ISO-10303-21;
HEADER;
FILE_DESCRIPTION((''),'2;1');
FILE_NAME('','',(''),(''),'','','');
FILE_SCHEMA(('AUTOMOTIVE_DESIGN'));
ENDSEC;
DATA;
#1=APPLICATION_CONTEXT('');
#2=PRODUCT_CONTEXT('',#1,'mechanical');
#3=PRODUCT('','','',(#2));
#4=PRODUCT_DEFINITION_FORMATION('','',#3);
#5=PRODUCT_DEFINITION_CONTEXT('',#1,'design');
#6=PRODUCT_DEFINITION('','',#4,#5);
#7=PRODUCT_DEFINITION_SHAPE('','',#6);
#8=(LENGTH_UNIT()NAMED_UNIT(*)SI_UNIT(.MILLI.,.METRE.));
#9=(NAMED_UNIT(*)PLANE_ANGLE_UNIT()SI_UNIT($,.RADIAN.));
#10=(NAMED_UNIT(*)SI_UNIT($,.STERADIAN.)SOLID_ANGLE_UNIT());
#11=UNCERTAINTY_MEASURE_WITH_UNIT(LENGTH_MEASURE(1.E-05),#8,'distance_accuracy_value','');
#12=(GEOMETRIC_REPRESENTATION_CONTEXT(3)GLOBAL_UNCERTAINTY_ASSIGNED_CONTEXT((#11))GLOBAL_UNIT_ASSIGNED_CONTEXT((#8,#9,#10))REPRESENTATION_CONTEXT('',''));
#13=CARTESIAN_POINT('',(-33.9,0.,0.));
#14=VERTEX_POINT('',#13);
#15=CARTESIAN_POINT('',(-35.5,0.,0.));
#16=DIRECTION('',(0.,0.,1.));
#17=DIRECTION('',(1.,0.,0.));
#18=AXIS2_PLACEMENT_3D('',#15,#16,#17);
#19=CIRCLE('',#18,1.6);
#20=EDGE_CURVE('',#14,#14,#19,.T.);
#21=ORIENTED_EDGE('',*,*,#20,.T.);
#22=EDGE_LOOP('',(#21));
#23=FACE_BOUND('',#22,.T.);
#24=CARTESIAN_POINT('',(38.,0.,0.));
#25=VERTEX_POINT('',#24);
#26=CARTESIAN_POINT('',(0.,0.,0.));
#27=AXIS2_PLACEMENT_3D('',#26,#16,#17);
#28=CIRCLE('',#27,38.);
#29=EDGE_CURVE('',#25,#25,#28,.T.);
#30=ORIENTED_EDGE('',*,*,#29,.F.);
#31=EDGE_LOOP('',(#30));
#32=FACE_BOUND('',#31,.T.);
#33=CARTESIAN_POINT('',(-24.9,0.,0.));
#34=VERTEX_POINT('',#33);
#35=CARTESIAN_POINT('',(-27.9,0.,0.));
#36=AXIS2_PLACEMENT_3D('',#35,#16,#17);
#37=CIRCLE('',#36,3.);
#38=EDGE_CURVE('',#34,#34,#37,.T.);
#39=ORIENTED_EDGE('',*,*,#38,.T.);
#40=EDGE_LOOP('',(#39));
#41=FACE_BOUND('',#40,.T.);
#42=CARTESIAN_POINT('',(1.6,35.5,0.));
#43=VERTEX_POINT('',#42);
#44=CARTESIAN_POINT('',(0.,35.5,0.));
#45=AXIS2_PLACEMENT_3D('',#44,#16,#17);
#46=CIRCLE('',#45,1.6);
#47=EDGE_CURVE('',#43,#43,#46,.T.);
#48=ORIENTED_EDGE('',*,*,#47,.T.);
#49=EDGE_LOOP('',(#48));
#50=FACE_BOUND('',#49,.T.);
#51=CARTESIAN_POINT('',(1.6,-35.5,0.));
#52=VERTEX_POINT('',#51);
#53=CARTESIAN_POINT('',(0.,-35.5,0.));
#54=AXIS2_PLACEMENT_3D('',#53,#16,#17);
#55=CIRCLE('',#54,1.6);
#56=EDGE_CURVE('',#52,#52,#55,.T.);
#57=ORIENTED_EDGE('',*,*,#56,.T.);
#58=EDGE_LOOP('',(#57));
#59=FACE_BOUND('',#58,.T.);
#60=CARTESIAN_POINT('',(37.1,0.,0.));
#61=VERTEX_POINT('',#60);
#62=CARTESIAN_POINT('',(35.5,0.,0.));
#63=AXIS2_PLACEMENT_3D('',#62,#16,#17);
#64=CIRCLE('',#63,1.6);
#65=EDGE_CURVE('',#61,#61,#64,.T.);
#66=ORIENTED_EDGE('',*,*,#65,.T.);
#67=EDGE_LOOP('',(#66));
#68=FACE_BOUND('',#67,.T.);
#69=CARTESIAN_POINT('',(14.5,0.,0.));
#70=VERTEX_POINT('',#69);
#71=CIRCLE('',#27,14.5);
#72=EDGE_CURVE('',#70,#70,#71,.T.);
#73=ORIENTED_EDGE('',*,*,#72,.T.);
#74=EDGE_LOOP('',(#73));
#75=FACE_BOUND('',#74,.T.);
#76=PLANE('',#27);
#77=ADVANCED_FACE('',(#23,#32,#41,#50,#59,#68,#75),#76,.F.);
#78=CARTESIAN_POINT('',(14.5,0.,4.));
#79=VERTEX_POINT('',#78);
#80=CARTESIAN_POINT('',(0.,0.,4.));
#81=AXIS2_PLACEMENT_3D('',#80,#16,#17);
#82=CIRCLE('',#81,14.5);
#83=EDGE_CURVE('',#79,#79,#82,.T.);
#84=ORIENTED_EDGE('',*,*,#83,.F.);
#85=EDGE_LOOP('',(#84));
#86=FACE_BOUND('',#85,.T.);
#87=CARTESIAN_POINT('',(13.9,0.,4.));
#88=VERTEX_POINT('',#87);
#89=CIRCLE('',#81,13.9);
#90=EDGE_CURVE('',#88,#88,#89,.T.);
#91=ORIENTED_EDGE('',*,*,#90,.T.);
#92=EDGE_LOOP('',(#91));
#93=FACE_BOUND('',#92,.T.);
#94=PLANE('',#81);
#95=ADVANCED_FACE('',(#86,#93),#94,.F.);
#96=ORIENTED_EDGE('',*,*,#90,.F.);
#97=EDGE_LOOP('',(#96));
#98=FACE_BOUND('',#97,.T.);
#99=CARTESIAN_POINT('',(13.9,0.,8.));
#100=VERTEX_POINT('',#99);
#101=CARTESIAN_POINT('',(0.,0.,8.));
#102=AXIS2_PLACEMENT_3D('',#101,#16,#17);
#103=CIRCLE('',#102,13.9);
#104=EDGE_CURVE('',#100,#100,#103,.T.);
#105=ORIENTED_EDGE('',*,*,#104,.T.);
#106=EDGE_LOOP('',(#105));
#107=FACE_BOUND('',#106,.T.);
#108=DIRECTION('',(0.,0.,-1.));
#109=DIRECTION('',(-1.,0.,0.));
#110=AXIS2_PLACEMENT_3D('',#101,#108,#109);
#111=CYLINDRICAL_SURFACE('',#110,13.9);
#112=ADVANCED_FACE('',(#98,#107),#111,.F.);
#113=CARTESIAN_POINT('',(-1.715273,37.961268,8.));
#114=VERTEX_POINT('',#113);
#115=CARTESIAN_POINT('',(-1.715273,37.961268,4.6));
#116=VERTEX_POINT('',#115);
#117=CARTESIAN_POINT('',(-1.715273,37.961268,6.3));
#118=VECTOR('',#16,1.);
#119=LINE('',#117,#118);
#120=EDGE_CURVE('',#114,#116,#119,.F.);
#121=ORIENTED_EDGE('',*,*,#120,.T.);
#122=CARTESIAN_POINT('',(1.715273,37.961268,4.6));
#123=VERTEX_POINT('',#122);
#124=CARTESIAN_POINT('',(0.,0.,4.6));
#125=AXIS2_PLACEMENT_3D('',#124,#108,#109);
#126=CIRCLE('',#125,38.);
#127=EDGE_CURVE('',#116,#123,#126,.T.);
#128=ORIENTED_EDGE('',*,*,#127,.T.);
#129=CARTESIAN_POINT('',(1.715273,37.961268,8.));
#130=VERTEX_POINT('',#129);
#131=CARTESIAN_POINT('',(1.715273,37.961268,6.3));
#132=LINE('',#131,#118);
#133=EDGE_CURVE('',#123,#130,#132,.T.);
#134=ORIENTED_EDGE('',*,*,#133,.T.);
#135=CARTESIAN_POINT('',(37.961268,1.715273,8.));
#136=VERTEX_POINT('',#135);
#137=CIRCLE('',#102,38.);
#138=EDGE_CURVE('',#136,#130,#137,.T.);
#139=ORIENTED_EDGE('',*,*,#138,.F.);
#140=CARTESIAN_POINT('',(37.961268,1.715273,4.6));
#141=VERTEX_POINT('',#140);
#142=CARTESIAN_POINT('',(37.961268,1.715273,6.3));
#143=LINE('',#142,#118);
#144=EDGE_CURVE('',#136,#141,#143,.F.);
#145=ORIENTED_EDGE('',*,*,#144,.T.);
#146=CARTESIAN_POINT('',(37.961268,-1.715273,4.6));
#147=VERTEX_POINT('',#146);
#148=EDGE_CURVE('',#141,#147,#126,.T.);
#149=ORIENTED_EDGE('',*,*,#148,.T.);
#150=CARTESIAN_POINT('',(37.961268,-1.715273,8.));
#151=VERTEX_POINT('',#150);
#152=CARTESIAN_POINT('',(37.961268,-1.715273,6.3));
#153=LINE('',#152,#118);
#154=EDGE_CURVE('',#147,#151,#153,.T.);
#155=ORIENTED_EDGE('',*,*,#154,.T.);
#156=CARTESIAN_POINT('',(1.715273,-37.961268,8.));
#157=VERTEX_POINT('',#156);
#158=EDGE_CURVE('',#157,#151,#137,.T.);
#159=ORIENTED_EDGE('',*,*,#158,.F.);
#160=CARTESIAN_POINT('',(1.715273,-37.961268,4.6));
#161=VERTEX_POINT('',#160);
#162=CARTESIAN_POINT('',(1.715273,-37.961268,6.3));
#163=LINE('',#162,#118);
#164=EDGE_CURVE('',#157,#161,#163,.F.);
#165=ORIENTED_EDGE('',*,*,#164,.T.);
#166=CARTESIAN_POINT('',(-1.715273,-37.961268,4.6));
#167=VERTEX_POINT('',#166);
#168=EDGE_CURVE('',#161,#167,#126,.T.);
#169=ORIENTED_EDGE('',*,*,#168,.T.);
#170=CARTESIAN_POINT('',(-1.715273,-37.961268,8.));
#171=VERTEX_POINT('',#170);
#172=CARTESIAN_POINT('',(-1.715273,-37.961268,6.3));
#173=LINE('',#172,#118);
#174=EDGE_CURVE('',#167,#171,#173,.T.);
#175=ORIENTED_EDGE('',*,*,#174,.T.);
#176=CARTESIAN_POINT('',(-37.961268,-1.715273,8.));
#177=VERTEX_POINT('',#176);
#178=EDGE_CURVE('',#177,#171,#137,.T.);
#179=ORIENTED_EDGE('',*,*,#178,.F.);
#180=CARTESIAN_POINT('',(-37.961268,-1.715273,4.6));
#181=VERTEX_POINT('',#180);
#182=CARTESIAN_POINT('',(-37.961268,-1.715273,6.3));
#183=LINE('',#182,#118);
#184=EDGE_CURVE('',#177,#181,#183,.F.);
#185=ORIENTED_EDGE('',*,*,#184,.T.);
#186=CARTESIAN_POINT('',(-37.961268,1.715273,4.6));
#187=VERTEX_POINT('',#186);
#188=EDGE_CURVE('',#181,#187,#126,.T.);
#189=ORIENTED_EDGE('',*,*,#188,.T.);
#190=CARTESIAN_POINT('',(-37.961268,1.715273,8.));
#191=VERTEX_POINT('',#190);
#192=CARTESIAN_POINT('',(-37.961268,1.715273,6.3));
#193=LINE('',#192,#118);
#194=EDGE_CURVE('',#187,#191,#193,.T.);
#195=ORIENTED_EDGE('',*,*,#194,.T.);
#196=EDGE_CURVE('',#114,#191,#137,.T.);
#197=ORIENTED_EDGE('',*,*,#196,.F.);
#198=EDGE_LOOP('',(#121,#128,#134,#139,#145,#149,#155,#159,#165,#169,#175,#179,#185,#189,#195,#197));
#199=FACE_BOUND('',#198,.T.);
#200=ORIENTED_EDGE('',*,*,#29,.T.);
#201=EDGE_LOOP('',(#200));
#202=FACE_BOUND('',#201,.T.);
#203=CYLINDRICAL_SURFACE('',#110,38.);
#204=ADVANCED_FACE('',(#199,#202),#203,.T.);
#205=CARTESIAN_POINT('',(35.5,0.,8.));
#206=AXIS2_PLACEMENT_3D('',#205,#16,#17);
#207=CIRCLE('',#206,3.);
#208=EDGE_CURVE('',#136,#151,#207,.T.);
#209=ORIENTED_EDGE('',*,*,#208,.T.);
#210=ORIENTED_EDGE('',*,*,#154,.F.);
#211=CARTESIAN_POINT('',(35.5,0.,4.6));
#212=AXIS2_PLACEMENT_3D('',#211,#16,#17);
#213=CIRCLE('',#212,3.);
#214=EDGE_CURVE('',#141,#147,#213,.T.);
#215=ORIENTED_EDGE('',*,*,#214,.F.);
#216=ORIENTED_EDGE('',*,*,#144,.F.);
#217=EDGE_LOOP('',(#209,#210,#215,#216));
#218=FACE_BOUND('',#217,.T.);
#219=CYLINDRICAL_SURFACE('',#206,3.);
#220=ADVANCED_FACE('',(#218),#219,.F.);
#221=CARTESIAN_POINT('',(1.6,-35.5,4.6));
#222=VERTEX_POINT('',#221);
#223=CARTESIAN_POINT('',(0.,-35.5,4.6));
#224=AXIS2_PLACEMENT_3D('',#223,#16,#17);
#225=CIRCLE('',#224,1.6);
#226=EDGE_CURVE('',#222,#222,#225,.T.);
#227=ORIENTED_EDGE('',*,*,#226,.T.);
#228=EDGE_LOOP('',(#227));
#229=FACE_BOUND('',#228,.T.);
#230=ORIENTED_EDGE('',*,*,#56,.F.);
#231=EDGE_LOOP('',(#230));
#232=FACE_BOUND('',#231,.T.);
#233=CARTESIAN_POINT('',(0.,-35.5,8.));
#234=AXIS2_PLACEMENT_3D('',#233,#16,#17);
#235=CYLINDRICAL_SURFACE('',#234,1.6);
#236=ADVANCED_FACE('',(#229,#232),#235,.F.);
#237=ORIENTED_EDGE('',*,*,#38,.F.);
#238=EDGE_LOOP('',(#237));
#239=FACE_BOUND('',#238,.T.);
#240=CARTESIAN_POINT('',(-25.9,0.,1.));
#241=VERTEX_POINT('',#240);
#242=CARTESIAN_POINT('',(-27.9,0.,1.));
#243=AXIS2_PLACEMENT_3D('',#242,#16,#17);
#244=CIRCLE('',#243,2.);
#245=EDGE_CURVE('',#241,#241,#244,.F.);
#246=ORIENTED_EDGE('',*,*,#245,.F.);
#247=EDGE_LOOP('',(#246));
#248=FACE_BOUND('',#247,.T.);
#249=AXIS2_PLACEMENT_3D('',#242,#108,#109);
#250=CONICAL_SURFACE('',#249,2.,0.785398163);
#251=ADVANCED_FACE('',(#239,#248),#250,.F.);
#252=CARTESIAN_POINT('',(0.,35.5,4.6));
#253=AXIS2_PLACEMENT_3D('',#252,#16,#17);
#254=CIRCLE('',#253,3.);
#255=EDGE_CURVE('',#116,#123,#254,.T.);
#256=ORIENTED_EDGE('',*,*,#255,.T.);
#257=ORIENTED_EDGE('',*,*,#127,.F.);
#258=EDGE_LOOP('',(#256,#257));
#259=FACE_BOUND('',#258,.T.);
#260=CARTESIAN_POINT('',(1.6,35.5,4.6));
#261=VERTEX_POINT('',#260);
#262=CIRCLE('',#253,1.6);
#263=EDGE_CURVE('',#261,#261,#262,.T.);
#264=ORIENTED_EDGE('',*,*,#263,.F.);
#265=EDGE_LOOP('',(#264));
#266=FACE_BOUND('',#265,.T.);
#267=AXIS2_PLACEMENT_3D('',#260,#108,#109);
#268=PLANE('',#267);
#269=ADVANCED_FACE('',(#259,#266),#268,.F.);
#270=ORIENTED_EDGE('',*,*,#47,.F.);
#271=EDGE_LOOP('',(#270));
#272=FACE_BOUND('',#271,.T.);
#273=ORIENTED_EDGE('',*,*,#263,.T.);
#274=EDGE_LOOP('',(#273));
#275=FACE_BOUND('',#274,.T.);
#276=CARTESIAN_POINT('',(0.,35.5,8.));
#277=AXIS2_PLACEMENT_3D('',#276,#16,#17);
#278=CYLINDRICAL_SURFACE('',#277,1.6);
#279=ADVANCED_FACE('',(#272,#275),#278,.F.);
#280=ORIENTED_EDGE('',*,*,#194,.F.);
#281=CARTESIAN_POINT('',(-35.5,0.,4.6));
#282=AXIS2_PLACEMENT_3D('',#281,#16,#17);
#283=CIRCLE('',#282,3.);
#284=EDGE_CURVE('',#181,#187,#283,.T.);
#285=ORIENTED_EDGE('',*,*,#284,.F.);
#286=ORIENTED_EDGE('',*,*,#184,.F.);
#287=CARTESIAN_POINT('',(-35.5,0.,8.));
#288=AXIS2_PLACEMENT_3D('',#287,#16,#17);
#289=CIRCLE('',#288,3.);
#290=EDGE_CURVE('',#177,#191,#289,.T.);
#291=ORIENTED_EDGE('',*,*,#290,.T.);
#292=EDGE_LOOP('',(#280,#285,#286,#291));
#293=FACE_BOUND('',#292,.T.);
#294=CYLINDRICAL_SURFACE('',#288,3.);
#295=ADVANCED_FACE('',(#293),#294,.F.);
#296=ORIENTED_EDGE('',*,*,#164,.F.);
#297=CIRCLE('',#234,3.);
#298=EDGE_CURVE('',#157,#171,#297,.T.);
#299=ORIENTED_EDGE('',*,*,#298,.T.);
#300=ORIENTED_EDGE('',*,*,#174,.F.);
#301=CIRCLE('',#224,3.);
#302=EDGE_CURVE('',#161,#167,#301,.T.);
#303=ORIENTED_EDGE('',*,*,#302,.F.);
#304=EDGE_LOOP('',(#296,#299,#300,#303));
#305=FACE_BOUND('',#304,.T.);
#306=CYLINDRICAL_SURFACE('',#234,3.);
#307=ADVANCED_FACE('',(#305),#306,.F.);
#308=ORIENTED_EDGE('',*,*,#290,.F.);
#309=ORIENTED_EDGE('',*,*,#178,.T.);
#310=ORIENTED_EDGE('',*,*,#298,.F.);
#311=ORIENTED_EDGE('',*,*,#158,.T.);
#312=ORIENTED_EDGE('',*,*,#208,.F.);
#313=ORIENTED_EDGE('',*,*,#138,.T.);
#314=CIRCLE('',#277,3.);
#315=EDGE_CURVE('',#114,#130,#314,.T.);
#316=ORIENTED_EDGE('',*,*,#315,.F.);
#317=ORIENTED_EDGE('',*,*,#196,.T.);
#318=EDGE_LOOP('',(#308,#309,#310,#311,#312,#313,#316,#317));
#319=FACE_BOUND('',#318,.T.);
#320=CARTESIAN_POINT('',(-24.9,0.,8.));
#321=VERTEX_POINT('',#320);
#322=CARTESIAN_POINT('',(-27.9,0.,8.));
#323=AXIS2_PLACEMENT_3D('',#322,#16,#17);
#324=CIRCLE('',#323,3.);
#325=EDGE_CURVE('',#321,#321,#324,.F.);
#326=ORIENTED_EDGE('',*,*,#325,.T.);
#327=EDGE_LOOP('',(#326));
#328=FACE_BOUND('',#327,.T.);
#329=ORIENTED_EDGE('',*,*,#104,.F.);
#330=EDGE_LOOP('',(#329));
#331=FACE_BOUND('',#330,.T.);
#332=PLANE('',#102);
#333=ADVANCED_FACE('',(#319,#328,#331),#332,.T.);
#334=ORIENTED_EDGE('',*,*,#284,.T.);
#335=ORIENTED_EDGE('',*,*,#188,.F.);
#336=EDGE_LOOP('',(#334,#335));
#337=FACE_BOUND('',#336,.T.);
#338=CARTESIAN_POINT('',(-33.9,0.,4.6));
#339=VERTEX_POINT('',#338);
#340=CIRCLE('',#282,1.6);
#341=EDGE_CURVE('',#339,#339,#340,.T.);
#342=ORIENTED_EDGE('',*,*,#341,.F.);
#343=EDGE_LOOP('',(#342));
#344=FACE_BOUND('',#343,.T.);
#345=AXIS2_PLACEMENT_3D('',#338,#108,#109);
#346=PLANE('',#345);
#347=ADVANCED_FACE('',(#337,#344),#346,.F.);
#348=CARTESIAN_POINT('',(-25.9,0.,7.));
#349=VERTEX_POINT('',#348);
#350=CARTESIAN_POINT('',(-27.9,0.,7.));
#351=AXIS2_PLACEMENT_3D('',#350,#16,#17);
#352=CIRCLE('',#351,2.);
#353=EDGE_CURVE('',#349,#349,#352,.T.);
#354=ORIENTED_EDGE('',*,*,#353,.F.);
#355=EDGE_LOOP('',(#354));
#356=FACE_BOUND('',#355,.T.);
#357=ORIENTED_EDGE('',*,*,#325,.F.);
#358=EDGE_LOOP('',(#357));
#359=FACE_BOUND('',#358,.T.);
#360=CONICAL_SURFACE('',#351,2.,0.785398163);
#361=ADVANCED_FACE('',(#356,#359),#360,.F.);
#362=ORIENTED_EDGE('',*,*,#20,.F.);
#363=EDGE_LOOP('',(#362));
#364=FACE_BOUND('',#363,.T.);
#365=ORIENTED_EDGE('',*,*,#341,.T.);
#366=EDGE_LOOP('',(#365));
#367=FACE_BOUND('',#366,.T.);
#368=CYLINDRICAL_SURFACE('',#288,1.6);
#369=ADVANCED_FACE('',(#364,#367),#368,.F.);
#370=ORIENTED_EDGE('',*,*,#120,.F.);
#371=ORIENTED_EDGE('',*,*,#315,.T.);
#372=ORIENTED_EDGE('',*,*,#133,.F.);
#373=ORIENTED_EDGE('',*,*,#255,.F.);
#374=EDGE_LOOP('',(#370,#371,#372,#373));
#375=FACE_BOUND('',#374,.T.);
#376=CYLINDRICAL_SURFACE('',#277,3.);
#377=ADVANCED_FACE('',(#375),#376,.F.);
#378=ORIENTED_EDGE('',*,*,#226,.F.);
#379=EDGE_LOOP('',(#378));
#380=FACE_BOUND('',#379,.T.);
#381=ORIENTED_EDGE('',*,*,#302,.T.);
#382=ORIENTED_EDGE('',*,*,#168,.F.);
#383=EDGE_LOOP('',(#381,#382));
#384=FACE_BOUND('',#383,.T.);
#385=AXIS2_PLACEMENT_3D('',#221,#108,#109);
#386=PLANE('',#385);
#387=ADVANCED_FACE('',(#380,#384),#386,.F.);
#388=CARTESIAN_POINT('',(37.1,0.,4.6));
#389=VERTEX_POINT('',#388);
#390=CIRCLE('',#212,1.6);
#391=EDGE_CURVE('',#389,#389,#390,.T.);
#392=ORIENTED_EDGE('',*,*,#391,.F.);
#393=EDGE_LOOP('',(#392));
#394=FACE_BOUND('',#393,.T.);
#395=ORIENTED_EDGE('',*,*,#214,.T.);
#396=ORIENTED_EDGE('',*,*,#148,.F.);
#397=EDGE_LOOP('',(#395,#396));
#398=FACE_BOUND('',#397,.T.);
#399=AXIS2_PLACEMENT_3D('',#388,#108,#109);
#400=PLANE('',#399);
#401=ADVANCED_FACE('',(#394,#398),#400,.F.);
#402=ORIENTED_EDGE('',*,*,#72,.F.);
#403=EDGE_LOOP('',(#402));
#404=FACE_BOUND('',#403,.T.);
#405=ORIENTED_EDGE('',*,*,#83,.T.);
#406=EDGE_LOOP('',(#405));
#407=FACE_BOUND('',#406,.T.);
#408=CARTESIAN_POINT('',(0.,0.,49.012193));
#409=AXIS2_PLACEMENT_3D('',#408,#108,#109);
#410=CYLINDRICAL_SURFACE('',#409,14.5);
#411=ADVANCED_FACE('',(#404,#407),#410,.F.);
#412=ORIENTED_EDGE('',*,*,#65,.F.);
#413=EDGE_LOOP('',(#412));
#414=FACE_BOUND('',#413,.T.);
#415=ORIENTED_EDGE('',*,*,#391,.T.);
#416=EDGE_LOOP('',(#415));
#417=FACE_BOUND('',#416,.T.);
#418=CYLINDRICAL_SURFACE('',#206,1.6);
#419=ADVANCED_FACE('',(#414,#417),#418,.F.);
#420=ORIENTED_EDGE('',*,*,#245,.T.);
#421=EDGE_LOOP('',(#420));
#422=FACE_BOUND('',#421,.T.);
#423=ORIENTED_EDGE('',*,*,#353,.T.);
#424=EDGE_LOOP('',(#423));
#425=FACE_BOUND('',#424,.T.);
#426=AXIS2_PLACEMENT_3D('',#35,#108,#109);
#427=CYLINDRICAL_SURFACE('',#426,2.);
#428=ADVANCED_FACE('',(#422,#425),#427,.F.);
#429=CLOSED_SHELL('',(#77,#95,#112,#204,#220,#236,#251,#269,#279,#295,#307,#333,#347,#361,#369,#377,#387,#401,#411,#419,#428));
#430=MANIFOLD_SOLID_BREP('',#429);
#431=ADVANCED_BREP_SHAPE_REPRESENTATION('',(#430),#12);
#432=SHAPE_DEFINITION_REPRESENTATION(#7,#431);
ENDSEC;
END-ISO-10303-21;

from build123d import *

# Parameters (mm, degrees)
SKETCH_1_R                = 38
SKETCH_1_R_2              = 13.9
EXTRUDE_1_DEPTH           = 8
HOLE_WIZARD_1_D           = 3.2
HOLE_WIZARD_1_CBORE_D     = 6
HOLE_WIZARD_1_CBORE_DEPTH = 3.4
HOLE_WIZARD_4_0_4_1_D     = 4
CHAMFER_1_SIZE            = 1
SKETCH_9_R                = 14.5
CUT_EXTRUDE_1_DEPTH       = 4


with BuildPart() as part:
    # 草图1 → 凸台-拉伸1 (new body)
    with BuildSketch(Plane.XY):
        Circle(SKETCH_1_R)
        Circle(SKETCH_1_R_2, mode=Mode.SUBTRACT)
    extrude(amount=EXTRUDE_1_DEPTH)

    # 打孔尺寸(%根据)内六角圆柱头螺钉的类型1 (through all)
    with Locations(Plane.XY.offset(8)):
        with Locations((0, 35.5), (35.5, 0), (0, -35.5), (-35.5, 0)):
            CounterBoreHole(HOLE_WIZARD_1_D / 2, HOLE_WIZARD_1_CBORE_D / 2, HOLE_WIZARD_1_CBORE_DEPTH)

    # Ø4.0 (4) 直径孔1 (through all)
    with Locations(Plane(origin=(0, 0, 0), x_dir=(-1, 0, 0), z_dir=(0, 0, -1))):
        with Locations((27.9, 0)):
            Hole(HOLE_WIZARD_4_0_4_1_D / 2)

    # 倒角1
    chamfer_1_edges = [part.edges().sort_by_distance(p)[0] for p in [
        (-29.9, 0, 0),
        (-29.9, 0, 8),
    ]]
    chamfer(chamfer_1_edges, length=CHAMFER_1_SIZE)

    # 草图9 → 切除-拉伸1 (cut)
    with BuildSketch(Plane.XY):
        Circle(SKETCH_9_R)
    extrude(amount=CUT_EXTRUDE_1_DEPTH, mode=Mode.SUBTRACT)


solid = part.part
